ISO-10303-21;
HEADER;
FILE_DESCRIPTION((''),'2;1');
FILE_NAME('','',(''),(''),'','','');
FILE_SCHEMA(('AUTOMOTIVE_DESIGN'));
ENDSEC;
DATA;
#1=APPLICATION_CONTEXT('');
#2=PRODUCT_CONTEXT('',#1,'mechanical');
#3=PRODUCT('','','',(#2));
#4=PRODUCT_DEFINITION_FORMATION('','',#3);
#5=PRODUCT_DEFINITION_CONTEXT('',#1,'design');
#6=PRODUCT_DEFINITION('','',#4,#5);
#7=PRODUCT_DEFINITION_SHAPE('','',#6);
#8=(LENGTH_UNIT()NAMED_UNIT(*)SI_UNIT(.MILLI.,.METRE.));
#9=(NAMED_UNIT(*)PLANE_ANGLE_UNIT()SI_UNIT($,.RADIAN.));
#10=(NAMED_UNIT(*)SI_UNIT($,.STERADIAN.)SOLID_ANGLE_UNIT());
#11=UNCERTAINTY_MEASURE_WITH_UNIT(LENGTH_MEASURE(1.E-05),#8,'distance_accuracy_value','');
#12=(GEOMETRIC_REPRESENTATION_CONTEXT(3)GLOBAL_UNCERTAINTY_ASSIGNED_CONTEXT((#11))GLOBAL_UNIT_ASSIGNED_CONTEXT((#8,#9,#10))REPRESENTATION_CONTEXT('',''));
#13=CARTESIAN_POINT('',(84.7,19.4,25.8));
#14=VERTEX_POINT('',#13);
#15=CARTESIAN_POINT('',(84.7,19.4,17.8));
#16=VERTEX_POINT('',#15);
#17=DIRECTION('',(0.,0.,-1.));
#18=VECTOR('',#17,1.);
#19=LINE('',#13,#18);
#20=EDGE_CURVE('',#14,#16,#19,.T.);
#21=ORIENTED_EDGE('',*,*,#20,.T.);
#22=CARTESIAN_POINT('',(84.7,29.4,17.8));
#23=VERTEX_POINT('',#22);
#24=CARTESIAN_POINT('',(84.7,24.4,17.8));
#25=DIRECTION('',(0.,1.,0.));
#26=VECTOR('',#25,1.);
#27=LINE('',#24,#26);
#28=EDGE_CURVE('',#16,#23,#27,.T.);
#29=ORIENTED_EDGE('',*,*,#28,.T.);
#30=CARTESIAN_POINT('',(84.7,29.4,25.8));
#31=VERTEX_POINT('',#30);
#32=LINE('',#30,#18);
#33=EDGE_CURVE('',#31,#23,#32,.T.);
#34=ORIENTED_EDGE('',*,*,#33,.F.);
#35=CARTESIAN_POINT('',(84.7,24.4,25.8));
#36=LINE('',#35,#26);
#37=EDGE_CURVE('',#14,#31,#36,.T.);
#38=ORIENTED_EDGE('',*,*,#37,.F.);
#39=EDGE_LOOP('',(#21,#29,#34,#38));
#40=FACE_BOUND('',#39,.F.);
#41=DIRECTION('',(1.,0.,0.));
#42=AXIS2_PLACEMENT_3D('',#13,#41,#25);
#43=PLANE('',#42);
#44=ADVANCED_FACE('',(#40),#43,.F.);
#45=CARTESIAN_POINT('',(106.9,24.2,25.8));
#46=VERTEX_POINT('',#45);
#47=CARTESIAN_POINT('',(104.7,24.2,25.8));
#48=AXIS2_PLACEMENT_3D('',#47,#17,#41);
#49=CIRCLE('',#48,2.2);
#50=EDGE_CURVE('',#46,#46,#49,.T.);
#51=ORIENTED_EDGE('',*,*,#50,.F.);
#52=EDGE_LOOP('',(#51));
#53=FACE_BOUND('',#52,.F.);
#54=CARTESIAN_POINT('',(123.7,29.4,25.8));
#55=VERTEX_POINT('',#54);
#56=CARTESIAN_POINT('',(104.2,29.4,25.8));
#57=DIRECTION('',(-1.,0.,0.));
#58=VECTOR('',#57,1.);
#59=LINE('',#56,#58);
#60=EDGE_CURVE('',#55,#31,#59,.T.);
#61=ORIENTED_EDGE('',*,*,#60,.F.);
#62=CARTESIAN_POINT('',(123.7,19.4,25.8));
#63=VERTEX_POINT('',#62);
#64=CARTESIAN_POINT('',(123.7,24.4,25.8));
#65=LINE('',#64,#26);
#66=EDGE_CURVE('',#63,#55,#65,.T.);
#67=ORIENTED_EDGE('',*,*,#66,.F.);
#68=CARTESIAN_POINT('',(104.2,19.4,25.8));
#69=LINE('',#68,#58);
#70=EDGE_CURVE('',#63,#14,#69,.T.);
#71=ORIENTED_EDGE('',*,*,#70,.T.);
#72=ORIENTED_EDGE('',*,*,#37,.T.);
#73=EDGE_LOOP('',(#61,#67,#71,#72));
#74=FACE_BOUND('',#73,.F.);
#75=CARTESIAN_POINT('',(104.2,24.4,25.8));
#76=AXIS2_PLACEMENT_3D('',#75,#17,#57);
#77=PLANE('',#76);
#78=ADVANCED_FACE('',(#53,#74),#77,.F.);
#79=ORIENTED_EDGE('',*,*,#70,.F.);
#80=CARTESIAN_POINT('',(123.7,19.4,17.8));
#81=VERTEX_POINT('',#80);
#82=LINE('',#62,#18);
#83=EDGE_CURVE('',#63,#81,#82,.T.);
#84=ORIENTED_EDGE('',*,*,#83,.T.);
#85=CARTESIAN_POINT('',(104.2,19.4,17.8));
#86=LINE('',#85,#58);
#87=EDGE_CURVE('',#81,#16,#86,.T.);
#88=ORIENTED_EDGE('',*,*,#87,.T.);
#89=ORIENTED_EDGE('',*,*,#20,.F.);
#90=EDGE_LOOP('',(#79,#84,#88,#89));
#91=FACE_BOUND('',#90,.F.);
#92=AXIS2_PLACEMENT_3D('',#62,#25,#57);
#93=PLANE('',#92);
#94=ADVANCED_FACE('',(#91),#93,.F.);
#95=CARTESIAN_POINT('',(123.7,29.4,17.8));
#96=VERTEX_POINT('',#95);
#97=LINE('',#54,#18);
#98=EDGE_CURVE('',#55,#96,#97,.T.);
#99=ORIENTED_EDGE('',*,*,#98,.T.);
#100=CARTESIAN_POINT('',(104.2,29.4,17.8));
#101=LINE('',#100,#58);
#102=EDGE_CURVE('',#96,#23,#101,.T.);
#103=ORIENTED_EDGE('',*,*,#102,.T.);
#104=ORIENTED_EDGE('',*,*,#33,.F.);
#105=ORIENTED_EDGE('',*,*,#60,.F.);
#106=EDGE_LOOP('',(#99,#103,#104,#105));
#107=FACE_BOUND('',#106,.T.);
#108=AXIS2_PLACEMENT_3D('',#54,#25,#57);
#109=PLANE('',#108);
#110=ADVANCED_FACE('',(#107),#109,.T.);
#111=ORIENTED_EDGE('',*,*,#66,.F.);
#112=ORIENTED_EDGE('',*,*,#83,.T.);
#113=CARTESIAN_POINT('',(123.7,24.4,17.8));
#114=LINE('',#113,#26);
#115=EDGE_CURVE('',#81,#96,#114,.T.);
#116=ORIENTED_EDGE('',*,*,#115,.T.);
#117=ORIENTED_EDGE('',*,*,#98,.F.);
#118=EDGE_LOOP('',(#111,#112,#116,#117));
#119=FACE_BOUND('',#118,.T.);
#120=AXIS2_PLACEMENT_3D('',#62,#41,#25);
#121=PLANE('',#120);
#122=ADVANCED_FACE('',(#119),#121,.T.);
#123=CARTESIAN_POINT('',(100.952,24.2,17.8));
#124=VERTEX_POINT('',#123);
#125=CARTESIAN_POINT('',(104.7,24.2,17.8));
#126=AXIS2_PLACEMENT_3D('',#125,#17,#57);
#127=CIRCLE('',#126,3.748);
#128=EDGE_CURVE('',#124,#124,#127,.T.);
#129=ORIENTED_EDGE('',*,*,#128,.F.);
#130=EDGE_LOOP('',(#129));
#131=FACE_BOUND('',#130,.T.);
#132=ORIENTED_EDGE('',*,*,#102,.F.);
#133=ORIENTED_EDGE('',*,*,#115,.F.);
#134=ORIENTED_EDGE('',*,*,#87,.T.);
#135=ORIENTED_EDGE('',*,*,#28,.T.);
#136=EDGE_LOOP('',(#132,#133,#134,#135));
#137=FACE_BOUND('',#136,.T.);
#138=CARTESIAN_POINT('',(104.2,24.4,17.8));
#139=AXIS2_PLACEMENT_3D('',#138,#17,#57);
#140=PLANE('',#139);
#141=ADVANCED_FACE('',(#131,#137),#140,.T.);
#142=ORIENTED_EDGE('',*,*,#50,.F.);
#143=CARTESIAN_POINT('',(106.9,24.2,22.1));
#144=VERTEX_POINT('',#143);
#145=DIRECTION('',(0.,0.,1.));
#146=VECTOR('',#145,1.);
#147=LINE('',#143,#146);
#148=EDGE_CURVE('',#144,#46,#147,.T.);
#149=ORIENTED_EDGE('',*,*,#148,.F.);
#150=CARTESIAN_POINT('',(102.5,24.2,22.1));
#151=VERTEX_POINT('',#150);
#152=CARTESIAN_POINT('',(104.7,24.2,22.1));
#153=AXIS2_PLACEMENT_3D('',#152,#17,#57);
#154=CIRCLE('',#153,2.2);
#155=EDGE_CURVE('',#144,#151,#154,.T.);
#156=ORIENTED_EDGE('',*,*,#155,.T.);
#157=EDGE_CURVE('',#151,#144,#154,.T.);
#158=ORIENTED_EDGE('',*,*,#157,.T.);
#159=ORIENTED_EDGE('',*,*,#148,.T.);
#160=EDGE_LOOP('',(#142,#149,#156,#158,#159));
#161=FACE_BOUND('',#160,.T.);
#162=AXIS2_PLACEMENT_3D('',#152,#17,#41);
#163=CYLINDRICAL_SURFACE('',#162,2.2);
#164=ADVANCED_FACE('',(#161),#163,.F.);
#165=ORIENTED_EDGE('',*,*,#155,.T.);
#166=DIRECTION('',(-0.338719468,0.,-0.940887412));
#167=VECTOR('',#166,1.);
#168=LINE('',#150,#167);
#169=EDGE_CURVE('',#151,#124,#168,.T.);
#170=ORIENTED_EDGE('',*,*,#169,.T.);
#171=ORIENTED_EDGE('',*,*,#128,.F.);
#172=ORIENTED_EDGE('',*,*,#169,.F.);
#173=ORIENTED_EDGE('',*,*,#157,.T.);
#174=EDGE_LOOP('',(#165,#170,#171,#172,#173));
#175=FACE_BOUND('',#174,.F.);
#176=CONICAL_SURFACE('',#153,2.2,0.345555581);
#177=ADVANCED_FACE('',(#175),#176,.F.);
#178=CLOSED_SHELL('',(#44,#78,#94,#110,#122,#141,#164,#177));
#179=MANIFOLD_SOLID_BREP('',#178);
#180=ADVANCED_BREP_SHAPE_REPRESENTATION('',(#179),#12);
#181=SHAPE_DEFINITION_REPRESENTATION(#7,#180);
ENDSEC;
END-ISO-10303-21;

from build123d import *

# Parameters (mm, degrees)
CYLINDER219_R             = 2.2
CYLINDER219_DEPTH         = 50
FUSION092_PLACEMENT_ANGLE = 90
BOX085_W                  = 39
BOX085_H                  = 10
BOX085_DEPTH              = 8
CUT159_PLACEMENT_ANGLE    = 180


with BuildPart() as cylinder219:
    # Cylinder219 → Cylinder219 (new body)
    with BuildSketch(Plane(origin=(-24, 26, -8), x_dir=(0, 0, -1), z_dir=(1, 0, 0))):
        Circle(CYLINDER219_R)
    extrude(amount=CYLINDER219_DEPTH)


with BuildPart() as fusion092:
    # Cone020 → Cone020 (revolve)
    with BuildSketch(Plane(origin=(-24, 26, -8), x_dir=(0, 0, 1), z_dir=(0, -1, 0))):
        Polygon((0, 0), (2.2, 0), (4, 5), (0, 5), align=None)
    revolve(axis=Axis((-24, 26, -8), (-1, 0, 0)))

    # Fusion092: union Cylinder219
    add(cylinder219.part)


with BuildPart() as fusion092_1:
    # Fusion092 placement: moved
    add(fusion092.part.moved(Location((111.8, -1.7, 18.4))).rotate(Axis((111.8, -1.7, 18.4), (0, 1, 0)), FUSION092_PLACEMENT_ANGLE))


with BuildPart() as cut159:
    # Box085 → Box085 (new body)
    with BuildSketch(Plane(origin=(84.8, 19.5, 38.7), x_dir=(1, 0, 0), z_dir=(0, 0, 1))):
        with Locations((19.5, 5)):
            Rectangle(BOX085_W, BOX085_H)
    extrude(amount=BOX085_DEPTH)

    # Cut159: cut Fusion092
    add(fusion092_1.part, mode=Mode.SUBTRACT)


with BuildPart() as cut159_1:
    # Cut159 placement: moved
    add(cut159.part.moved(Location((208.5, -0.1, 64.5))).rotate(Axis((208.5, -0.1, 64.5), (0, 1, 0)), CUT159_PLACEMENT_ANGLE))


solid = cut159_1.part
